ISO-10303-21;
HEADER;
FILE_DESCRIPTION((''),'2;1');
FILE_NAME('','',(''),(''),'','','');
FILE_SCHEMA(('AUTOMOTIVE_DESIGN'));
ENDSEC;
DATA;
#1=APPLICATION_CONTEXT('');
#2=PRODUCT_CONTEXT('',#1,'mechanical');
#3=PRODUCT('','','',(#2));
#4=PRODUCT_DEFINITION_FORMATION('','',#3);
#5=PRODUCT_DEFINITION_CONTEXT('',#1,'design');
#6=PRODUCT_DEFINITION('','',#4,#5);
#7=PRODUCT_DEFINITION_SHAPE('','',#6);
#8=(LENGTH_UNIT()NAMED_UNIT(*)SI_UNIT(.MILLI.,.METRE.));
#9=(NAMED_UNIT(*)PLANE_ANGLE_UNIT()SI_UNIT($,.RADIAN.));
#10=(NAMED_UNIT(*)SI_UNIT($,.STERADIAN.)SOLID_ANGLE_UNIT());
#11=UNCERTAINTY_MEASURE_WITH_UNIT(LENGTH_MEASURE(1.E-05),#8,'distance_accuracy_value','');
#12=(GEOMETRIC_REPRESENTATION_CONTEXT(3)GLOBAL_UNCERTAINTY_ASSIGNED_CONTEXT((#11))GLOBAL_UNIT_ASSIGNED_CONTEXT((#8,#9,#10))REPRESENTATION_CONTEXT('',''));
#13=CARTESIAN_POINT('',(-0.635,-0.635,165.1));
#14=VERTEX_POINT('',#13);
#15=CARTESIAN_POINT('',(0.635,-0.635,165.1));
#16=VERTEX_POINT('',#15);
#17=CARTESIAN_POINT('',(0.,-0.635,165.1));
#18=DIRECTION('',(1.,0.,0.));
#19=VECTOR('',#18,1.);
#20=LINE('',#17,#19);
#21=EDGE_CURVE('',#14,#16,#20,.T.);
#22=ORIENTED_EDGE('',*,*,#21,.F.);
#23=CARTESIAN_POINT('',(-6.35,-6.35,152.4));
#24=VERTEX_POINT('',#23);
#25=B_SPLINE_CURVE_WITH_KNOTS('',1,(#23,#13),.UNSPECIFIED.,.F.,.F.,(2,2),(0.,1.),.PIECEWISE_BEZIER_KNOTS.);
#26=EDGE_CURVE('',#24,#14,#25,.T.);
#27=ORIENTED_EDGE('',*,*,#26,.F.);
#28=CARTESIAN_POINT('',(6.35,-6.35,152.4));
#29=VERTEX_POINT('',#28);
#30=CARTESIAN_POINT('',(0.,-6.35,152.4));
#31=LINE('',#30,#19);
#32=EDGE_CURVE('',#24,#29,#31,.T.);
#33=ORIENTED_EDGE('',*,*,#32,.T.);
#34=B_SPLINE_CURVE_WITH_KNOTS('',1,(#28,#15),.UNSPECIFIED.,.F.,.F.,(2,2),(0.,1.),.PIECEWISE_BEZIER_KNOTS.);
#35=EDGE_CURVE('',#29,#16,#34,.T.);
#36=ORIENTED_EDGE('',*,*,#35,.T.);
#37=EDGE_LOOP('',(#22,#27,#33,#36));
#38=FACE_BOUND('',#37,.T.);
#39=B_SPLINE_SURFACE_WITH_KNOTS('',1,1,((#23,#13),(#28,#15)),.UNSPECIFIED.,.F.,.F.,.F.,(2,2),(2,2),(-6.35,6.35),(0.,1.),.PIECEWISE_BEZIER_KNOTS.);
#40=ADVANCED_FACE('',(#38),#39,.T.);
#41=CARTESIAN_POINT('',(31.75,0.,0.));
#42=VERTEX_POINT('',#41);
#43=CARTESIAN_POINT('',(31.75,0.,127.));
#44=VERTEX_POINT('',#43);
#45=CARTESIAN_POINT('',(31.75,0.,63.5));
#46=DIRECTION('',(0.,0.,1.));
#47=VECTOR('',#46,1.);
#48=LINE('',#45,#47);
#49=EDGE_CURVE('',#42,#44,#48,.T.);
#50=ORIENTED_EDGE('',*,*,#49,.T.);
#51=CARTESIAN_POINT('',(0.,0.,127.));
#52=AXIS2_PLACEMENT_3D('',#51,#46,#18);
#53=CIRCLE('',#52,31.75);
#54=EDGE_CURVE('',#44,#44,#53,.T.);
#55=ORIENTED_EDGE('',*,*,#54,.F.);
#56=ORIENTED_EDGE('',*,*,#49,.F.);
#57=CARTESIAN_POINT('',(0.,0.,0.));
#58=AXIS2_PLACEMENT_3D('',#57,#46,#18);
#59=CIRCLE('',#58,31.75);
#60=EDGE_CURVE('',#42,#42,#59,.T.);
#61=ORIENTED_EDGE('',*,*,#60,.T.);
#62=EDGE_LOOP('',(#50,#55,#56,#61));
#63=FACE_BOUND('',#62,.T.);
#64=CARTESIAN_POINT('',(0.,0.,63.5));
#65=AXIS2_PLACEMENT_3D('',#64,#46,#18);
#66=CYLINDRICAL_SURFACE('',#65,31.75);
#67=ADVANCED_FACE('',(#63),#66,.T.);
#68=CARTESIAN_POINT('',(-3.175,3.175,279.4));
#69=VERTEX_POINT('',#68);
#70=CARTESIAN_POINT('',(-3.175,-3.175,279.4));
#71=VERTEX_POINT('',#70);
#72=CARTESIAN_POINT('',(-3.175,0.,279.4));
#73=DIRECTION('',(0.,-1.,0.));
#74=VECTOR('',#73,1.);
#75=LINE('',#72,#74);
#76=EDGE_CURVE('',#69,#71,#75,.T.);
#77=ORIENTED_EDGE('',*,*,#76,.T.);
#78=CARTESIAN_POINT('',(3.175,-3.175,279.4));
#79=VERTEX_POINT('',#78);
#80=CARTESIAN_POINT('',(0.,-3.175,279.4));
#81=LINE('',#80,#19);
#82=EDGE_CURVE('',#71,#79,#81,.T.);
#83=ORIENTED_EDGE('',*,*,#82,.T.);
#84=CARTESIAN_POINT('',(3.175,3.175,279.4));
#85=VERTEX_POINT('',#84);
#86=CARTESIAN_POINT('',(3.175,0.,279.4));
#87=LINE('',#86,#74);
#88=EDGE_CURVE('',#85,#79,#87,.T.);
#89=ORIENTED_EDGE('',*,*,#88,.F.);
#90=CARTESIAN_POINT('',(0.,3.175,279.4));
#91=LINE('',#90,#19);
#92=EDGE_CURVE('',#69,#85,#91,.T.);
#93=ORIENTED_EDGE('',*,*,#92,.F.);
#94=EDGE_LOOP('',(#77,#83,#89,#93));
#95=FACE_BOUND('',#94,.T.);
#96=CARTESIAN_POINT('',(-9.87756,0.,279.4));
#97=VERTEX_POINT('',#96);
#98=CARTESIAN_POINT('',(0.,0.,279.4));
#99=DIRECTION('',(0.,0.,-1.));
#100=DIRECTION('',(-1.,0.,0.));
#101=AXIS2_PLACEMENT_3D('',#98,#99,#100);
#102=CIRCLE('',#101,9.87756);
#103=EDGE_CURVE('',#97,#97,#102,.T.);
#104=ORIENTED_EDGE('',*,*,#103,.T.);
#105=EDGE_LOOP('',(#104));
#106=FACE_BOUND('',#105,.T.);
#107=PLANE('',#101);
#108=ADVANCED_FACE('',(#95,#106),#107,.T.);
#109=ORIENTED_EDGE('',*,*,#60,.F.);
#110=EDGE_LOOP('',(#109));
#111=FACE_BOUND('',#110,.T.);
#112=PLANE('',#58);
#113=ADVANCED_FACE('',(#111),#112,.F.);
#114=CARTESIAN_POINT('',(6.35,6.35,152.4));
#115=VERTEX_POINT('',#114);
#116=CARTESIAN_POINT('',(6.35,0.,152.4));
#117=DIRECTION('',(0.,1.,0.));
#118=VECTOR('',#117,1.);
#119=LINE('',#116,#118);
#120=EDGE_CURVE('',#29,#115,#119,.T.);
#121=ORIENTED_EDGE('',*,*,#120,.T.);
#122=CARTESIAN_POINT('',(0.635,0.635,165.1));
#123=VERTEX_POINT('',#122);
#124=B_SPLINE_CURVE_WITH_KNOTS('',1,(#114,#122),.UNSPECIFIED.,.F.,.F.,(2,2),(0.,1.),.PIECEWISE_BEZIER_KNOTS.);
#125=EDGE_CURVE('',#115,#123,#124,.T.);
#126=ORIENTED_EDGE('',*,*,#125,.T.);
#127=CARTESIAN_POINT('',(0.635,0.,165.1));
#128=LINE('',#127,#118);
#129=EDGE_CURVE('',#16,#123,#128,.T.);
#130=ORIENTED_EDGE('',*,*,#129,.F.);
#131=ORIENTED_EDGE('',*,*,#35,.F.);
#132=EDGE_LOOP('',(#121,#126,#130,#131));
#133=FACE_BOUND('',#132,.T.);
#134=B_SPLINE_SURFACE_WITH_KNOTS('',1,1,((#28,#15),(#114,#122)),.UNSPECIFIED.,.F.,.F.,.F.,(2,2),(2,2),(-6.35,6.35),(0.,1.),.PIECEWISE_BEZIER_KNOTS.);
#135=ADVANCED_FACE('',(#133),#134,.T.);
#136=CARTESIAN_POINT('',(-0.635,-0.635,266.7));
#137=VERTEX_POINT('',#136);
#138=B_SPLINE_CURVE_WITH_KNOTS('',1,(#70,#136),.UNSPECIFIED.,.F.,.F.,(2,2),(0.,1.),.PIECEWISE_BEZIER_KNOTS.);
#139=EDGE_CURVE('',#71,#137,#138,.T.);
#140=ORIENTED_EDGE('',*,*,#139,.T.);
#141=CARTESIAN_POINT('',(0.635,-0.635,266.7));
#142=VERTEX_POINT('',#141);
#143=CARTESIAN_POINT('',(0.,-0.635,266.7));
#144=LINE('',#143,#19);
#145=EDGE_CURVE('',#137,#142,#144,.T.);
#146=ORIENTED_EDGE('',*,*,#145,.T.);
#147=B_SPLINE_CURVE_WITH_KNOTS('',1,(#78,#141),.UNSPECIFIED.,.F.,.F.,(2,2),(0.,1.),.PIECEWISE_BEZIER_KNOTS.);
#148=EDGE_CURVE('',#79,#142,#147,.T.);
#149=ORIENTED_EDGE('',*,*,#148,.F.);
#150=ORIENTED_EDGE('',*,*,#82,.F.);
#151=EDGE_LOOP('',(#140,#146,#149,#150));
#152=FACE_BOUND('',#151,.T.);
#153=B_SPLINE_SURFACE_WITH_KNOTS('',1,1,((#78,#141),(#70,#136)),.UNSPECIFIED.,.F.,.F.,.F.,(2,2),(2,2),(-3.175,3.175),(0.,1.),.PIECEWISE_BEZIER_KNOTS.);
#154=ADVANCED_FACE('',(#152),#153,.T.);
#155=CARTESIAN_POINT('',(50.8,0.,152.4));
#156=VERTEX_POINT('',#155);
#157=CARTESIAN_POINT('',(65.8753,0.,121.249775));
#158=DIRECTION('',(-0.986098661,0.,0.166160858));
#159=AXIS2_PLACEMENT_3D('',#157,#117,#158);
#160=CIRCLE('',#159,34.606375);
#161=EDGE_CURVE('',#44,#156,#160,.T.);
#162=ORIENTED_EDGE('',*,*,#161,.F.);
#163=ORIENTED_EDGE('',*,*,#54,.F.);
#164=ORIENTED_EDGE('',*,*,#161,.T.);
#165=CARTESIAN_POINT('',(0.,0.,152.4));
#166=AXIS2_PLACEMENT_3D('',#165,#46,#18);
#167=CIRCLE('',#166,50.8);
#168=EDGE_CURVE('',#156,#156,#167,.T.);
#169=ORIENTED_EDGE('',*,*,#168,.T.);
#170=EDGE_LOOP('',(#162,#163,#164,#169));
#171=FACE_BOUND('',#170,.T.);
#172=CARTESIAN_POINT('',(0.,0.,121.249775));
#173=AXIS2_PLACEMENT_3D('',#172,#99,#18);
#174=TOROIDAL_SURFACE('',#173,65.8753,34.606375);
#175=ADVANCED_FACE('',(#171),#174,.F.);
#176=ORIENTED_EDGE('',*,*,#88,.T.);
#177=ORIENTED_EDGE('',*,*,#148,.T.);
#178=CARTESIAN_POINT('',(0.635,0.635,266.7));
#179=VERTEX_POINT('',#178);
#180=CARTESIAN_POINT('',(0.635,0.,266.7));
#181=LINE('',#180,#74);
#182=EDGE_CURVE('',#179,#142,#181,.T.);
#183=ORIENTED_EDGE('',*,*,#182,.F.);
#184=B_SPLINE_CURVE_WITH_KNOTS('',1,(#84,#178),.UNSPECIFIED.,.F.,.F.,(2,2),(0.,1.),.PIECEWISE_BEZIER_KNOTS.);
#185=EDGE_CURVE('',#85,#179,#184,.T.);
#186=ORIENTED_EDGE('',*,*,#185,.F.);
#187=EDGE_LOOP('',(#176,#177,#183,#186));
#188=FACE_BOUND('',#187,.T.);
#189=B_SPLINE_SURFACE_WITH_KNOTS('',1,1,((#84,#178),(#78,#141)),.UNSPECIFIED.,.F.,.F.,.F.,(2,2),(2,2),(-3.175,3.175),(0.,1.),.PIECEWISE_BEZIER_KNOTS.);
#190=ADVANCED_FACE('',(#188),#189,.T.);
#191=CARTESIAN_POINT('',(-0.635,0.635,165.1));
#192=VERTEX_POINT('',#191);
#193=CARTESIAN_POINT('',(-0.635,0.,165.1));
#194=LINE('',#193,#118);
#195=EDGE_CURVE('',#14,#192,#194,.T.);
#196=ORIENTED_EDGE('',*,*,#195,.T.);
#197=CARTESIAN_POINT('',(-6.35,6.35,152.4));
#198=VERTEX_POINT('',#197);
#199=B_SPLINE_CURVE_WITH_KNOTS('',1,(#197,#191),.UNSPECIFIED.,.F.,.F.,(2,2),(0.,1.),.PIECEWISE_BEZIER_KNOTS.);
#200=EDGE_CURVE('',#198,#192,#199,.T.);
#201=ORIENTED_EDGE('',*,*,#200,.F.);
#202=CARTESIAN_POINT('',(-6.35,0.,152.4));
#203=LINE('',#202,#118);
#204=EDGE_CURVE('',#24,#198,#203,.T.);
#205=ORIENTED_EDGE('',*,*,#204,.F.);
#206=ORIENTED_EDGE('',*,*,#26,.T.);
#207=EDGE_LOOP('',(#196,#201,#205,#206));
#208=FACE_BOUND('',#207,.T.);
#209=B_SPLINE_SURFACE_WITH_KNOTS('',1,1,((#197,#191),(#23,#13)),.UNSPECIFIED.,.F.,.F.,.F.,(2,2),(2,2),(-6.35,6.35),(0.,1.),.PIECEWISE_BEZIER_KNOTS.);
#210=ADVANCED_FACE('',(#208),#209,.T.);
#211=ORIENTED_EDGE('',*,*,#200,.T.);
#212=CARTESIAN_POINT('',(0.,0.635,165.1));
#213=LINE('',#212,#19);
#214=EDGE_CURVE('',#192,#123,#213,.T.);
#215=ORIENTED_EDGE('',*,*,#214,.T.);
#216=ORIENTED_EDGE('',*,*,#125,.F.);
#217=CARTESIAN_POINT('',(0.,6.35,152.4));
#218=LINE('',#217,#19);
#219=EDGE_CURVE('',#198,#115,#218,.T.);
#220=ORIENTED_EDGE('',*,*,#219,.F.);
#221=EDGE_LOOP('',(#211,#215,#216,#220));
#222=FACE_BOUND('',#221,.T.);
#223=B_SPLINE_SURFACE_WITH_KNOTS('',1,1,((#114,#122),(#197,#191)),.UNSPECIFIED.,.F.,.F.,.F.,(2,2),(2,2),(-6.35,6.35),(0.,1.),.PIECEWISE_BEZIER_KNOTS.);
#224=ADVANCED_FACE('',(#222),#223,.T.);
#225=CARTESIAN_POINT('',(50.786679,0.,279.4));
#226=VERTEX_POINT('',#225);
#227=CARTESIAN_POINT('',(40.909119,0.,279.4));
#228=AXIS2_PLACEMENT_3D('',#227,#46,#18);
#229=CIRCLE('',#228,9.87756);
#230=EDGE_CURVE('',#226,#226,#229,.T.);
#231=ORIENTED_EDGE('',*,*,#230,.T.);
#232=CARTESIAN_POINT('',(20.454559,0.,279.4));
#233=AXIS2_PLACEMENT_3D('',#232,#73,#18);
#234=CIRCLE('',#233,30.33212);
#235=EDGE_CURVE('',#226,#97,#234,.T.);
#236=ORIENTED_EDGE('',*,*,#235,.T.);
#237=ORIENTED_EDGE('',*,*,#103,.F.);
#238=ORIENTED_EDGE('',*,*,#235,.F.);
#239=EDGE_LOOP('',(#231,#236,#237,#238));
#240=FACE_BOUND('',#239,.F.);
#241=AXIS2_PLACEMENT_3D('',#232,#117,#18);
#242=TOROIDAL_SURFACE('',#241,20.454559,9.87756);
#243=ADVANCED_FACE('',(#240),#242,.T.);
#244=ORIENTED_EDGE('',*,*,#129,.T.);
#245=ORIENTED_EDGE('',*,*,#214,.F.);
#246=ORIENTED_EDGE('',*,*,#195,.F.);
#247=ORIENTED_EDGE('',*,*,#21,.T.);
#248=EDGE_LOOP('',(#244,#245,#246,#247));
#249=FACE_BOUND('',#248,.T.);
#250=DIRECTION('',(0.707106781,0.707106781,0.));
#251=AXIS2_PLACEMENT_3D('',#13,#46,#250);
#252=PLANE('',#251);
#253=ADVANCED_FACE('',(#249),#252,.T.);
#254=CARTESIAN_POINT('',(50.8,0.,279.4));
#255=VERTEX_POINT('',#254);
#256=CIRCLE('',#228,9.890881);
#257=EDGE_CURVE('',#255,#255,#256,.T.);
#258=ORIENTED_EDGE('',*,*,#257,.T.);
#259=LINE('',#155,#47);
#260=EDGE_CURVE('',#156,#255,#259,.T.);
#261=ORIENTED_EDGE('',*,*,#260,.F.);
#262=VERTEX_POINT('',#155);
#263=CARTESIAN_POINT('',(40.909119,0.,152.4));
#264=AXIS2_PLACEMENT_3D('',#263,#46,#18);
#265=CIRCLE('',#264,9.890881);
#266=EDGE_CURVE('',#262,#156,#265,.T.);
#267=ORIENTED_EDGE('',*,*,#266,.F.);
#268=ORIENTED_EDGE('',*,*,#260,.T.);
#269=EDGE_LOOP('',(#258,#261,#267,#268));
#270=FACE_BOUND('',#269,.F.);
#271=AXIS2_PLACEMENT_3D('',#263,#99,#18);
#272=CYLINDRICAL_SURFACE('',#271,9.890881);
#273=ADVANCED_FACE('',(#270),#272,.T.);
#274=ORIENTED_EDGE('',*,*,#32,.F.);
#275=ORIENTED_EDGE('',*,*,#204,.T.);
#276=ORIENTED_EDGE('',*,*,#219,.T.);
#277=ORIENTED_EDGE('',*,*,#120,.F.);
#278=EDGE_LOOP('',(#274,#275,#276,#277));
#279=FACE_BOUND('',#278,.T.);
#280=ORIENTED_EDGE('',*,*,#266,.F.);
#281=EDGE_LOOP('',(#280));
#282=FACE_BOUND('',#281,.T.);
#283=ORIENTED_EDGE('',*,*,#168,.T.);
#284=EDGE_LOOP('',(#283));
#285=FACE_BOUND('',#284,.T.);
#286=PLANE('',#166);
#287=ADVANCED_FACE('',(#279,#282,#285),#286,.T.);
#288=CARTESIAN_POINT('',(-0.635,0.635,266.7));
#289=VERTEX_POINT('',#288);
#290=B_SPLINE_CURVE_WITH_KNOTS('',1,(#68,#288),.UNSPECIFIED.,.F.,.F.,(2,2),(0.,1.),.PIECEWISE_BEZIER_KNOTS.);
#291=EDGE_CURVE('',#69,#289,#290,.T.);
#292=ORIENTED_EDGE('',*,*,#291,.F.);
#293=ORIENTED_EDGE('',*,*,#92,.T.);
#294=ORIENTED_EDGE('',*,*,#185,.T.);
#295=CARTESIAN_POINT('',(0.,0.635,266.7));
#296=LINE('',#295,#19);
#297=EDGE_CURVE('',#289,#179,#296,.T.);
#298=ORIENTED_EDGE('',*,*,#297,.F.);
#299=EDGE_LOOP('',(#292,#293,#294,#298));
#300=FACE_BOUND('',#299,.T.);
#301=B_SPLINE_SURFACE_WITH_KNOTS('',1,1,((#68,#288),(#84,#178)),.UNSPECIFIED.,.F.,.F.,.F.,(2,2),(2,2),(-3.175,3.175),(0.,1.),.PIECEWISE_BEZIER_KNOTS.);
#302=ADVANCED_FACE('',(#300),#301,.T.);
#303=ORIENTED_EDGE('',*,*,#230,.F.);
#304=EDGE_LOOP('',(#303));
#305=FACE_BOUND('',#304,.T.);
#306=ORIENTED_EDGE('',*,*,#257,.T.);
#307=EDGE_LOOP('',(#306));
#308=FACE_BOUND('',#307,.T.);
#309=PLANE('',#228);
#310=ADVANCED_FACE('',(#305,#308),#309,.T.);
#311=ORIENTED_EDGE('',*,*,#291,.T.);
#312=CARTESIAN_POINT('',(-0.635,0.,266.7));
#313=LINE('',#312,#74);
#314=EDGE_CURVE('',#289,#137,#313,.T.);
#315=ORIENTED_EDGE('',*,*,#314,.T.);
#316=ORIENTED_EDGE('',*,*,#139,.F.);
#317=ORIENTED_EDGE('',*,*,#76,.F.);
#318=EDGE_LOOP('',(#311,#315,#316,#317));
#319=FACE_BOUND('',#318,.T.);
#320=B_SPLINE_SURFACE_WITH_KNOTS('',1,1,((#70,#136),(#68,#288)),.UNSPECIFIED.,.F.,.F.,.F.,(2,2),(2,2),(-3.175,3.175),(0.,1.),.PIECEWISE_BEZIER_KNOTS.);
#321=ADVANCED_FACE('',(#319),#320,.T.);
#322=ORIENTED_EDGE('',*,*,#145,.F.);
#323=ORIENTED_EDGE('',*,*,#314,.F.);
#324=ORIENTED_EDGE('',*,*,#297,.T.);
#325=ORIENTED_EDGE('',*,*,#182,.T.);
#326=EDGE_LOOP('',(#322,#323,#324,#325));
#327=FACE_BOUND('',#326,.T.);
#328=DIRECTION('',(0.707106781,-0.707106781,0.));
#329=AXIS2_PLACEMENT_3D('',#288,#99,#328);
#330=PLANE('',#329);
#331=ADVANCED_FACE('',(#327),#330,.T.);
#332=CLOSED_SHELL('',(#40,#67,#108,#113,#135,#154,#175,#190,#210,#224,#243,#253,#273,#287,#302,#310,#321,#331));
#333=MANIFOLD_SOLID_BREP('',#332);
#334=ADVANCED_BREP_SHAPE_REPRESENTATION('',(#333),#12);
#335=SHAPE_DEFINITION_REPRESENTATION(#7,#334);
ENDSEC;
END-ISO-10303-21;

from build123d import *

# Parameters (mm, degrees)
F0_W     = 31.75
F0_H     = 127
F2_R     = 9.8908810496
F3_DEPTH = 127
F4_W     = 12.7
F4_H     = 12.7
F6_W     = 1.27
F6_H     = 1.27
F8_R     = 9.8775603936
F9_ANGLE = 180
F12_W    = 6.35
F12_H    = 6.35
F11_W    = 1.27
F11_H    = 1.27


with BuildPart() as f1:
    # F0 (on Front) → F1 (revolve)
    with BuildSketch(Plane.XZ):
        with BuildLine():
            Line((0, 152.4), (0, 127))
            Line((0, 127), (31.75, 127))
            ThreePointArc((31.75, 127), (38.1902000249, 142.0135999813), (50.8, 152.4))
            Line((50.8, 152.4), (0, 152.4))
        make_face()
        with Locations((15.875, 63.5)):
            Rectangle(F0_W, F0_H)
    revolve(axis=Axis((0, 0, 63.5), (0, 0, 1)))

    # F2 (on face) → F3 (join)
    with BuildSketch(Plane.XY.offset(152.4)):
        with Locations((40.9091189504, 0)):
            Circle(F2_R)
    extrude(amount=F3_DEPTH)

    # F4 (on face) → F7 section 0
    with BuildSketch(Plane.XY.offset(152.4)):
        Rectangle(F4_W, F4_H)
    # F6 (on offset) → F7 section 1
    with BuildSketch(Plane.XY.offset(165.1)):
        Rectangle(F6_W, F6_H)
    loft()

    # F8 (on face) → F9 (revolve)
    with BuildSketch(Plane.XY.offset(279.4)):
        with Locations((40.9091189504, 0)):
            Circle(F8_R)
    revolve(axis=Axis((20.4545594752, 1.762766391, 279.4), (0, -1, 0)), revolution_arc=F9_ANGLE)

    # F12 (on face) → F13 section 0
    with BuildSketch(Plane(origin=(0, 0, 279.4), x_dir=(1, 0, 0), z_dir=(0, 0, -1))):
        Rectangle(F12_W, F12_H)
    # F11 (on offset) → F13 section 1
    with BuildSketch(Plane(origin=(0, 0, 266.7), x_dir=(1, 0, 0), z_dir=(0, 0, -1))):
        Rectangle(F11_W, F11_H)
    loft()


solid = f1.part
